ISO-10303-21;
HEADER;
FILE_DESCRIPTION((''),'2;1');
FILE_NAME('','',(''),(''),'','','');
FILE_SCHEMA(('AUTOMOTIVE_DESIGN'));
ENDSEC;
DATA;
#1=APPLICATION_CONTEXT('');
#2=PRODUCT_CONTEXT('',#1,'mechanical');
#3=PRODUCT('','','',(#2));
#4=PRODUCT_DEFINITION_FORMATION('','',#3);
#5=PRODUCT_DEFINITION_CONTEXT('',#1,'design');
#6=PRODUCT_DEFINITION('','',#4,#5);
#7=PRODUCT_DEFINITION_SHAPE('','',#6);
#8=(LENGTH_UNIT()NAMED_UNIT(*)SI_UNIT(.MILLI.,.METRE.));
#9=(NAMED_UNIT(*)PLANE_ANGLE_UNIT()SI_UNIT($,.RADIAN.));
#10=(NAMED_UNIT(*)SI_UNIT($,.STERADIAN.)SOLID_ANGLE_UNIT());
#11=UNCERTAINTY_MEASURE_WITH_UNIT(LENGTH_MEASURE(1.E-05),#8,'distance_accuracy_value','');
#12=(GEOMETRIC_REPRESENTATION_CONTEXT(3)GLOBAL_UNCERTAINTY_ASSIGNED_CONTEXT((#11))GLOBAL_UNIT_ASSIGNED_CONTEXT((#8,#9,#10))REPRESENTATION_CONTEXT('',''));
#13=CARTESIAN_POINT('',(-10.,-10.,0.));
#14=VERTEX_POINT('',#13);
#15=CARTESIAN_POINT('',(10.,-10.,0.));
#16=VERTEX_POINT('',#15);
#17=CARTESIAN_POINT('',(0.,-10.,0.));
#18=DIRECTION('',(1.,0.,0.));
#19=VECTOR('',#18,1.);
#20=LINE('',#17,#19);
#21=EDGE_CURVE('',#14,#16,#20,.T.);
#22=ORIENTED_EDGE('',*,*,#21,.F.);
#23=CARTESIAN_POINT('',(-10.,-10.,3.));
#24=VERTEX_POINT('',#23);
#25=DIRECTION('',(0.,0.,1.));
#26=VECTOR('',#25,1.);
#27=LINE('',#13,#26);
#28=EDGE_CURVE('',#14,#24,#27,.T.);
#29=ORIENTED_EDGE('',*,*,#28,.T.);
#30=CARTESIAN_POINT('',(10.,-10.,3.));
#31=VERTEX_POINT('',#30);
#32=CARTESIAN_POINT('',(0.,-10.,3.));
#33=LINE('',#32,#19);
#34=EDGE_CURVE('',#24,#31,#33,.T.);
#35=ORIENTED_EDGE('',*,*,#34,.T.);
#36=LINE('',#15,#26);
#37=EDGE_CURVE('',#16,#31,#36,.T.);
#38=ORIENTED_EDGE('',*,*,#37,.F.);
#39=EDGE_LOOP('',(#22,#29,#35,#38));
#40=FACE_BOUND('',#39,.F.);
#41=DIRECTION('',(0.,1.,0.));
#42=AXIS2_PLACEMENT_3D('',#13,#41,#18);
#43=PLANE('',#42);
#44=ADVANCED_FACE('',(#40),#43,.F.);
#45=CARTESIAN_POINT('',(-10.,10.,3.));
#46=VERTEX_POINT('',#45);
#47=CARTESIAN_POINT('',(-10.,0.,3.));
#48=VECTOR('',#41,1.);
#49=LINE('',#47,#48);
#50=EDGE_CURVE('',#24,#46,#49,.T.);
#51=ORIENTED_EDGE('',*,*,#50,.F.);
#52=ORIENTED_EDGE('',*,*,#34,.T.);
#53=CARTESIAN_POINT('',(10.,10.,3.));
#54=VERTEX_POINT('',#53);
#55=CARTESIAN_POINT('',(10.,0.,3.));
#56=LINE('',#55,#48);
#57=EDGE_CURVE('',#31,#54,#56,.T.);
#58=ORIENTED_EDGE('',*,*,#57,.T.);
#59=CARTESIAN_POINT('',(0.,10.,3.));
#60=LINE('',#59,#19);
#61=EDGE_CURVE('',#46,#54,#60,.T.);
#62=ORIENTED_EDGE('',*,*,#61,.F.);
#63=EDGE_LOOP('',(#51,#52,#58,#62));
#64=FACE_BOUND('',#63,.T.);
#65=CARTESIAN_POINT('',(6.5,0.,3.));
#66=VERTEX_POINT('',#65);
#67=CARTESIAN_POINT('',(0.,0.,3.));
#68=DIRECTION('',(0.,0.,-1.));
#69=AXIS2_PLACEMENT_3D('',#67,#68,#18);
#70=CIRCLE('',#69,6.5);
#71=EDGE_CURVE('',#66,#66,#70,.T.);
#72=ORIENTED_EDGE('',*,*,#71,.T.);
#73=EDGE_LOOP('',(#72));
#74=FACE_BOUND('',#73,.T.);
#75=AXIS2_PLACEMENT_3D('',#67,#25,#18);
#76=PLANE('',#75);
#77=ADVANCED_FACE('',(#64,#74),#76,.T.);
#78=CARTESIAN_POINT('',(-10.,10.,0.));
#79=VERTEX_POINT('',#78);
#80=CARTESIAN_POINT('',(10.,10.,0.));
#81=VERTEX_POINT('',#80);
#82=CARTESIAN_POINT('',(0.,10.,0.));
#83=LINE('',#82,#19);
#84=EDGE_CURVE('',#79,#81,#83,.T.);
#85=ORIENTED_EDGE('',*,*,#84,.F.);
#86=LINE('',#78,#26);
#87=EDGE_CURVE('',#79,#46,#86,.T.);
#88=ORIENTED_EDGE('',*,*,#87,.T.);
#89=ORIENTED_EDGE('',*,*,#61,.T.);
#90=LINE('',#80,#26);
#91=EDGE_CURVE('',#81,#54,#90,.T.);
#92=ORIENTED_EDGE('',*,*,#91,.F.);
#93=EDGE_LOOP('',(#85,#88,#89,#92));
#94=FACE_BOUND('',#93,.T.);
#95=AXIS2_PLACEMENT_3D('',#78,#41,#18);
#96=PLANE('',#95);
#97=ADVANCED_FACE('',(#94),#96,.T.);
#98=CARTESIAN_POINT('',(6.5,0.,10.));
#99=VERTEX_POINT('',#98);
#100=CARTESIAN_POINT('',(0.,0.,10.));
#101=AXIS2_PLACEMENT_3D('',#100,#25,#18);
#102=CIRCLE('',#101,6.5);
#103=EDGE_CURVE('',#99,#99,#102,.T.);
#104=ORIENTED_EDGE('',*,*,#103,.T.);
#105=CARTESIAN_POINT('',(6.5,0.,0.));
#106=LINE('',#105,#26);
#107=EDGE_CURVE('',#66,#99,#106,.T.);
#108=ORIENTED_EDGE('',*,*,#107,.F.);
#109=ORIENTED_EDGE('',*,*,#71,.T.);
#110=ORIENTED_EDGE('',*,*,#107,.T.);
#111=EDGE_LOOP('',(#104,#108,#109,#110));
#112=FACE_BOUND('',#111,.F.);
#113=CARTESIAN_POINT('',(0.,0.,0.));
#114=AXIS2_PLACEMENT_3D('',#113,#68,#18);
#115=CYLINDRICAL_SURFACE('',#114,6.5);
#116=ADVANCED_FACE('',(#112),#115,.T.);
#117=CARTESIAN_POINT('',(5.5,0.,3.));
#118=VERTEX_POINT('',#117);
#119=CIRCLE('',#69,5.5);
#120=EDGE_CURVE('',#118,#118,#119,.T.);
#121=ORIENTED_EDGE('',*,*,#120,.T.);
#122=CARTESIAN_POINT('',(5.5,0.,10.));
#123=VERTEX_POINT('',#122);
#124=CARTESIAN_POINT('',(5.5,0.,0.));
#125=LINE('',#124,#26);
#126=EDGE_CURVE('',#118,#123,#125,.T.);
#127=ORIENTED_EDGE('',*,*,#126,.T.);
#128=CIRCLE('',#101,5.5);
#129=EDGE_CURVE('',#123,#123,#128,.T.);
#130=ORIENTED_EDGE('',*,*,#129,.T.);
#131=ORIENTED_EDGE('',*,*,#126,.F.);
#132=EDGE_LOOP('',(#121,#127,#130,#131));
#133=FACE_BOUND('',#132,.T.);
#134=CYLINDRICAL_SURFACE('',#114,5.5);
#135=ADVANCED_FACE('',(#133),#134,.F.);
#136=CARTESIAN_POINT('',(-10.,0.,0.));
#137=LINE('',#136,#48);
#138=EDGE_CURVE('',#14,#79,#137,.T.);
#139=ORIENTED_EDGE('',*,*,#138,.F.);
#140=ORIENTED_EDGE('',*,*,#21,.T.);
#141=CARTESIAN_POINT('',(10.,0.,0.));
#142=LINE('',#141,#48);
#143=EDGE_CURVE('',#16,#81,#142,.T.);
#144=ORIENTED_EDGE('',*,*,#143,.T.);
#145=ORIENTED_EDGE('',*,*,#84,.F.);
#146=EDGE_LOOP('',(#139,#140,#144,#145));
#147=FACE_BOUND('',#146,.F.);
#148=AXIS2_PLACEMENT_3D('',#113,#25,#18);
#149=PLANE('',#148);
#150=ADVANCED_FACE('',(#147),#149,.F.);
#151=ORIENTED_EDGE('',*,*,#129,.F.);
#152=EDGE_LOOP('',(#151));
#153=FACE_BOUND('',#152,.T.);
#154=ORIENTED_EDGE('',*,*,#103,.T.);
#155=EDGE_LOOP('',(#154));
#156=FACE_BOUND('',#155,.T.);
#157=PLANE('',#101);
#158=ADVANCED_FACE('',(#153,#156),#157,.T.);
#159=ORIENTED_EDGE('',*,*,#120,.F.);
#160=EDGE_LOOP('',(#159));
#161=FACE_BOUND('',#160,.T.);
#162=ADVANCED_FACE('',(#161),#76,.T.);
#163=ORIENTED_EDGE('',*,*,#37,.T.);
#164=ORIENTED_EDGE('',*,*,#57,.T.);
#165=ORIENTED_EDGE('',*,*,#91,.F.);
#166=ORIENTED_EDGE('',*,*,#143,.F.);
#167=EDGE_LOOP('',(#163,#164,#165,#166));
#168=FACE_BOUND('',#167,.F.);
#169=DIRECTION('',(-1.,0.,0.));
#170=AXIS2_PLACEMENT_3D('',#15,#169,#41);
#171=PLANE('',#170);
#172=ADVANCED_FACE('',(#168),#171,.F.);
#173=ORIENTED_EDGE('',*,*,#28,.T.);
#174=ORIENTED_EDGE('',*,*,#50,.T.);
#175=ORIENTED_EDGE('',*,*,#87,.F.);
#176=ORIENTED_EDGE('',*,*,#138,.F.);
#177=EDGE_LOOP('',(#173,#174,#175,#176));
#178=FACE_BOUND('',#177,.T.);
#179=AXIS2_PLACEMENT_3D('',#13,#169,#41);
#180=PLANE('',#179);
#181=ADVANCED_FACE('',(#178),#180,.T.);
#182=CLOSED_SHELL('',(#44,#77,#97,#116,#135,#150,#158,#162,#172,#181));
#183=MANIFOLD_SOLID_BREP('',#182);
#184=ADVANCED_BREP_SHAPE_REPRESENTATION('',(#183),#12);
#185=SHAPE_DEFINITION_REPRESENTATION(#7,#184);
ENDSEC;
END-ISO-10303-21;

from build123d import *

# Parameters (mm, degrees)
SKETCH_W      = 20
SKETCH_H      = 20
PAD_DEPTH     = 3
SKETCH001_R   = 6.5
SKETCH001_R_2 = 5.5
PAD001_DEPTH  = 10


with BuildPart() as part:
    # Sketch → Pad (new body)
    with BuildSketch(Plane.XY):
        Rectangle(SKETCH_W, SKETCH_H)
    extrude(amount=PAD_DEPTH)

    # Sketch001 → Pad001 (join)
    with BuildSketch(Plane.XY):
        Circle(SKETCH001_R)
        Circle(SKETCH001_R_2, mode=Mode.SUBTRACT)
    extrude(amount=PAD001_DEPTH)


solid = part.part
